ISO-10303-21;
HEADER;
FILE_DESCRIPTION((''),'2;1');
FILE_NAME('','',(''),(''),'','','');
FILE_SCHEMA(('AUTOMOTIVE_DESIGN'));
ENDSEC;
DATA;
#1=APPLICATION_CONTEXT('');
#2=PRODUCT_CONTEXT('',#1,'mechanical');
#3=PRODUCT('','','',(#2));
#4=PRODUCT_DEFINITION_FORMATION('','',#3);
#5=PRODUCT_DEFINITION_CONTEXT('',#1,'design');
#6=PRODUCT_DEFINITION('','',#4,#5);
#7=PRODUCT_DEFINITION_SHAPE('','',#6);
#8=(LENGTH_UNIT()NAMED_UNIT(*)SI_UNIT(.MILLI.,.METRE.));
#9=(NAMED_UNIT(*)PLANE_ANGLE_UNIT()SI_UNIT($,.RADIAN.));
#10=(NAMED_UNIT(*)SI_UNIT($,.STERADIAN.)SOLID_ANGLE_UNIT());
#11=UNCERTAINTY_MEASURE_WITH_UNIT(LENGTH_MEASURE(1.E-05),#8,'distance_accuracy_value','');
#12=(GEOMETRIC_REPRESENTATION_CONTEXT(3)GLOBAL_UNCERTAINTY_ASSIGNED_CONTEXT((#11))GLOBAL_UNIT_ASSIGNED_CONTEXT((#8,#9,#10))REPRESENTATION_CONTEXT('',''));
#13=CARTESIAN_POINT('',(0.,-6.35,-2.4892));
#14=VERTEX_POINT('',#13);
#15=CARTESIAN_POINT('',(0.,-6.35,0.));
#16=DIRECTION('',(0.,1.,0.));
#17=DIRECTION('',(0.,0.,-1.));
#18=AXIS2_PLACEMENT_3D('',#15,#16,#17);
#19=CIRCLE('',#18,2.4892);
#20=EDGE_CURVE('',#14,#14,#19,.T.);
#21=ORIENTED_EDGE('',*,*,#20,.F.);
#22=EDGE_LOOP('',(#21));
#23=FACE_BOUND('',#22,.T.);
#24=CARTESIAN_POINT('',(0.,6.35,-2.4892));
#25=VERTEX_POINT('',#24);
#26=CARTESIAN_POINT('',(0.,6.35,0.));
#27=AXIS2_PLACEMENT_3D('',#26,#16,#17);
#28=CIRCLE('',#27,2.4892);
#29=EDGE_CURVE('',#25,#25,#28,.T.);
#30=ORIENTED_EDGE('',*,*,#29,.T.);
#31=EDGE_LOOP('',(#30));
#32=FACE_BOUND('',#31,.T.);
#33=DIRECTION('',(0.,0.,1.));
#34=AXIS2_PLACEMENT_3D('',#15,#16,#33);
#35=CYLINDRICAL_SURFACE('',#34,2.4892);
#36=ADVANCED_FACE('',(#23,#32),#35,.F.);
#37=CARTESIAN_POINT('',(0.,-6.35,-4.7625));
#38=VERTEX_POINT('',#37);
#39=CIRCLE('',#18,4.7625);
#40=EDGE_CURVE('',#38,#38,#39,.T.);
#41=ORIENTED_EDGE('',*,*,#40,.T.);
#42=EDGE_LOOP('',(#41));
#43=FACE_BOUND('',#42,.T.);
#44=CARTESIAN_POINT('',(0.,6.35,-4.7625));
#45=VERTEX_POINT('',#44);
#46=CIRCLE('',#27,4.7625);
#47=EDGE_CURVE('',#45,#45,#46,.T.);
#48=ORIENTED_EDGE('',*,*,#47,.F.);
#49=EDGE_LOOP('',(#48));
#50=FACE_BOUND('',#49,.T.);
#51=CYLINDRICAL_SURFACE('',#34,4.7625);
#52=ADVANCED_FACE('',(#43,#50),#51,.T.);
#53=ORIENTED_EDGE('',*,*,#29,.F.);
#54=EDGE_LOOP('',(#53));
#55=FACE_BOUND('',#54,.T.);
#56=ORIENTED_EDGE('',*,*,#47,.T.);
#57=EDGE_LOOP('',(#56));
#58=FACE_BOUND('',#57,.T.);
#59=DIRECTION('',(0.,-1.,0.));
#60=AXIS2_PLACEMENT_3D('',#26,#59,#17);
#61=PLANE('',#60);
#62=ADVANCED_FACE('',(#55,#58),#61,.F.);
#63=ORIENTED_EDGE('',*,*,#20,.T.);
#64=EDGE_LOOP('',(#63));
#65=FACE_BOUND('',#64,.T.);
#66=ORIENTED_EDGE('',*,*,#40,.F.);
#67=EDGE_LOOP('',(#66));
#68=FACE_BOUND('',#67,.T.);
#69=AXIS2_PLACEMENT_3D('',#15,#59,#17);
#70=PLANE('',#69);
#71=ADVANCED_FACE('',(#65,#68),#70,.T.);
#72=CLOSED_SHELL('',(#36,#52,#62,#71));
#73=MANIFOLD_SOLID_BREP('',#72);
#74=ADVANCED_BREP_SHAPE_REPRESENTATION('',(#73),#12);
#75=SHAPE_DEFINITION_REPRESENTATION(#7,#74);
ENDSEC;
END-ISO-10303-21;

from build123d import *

# Parameters (mm, degrees)
SKETCH1_R           = 4.7625
SKETCH1_R_2         = 2.4892
BOSS_EXTRUDE1_DEPTH = 6.35


with BuildPart() as part:
    # Sketch1 → Boss-Extrude1 (new body, symmetric)
    with BuildSketch(Plane(origin=(0, 0, 0), x_dir=(1, 0, 0), z_dir=(0, 1, 0))):
        Circle(SKETCH1_R)
        Circle(SKETCH1_R_2, mode=Mode.SUBTRACT)
    extrude(amount=BOSS_EXTRUDE1_DEPTH, both=True)


solid = part.part
